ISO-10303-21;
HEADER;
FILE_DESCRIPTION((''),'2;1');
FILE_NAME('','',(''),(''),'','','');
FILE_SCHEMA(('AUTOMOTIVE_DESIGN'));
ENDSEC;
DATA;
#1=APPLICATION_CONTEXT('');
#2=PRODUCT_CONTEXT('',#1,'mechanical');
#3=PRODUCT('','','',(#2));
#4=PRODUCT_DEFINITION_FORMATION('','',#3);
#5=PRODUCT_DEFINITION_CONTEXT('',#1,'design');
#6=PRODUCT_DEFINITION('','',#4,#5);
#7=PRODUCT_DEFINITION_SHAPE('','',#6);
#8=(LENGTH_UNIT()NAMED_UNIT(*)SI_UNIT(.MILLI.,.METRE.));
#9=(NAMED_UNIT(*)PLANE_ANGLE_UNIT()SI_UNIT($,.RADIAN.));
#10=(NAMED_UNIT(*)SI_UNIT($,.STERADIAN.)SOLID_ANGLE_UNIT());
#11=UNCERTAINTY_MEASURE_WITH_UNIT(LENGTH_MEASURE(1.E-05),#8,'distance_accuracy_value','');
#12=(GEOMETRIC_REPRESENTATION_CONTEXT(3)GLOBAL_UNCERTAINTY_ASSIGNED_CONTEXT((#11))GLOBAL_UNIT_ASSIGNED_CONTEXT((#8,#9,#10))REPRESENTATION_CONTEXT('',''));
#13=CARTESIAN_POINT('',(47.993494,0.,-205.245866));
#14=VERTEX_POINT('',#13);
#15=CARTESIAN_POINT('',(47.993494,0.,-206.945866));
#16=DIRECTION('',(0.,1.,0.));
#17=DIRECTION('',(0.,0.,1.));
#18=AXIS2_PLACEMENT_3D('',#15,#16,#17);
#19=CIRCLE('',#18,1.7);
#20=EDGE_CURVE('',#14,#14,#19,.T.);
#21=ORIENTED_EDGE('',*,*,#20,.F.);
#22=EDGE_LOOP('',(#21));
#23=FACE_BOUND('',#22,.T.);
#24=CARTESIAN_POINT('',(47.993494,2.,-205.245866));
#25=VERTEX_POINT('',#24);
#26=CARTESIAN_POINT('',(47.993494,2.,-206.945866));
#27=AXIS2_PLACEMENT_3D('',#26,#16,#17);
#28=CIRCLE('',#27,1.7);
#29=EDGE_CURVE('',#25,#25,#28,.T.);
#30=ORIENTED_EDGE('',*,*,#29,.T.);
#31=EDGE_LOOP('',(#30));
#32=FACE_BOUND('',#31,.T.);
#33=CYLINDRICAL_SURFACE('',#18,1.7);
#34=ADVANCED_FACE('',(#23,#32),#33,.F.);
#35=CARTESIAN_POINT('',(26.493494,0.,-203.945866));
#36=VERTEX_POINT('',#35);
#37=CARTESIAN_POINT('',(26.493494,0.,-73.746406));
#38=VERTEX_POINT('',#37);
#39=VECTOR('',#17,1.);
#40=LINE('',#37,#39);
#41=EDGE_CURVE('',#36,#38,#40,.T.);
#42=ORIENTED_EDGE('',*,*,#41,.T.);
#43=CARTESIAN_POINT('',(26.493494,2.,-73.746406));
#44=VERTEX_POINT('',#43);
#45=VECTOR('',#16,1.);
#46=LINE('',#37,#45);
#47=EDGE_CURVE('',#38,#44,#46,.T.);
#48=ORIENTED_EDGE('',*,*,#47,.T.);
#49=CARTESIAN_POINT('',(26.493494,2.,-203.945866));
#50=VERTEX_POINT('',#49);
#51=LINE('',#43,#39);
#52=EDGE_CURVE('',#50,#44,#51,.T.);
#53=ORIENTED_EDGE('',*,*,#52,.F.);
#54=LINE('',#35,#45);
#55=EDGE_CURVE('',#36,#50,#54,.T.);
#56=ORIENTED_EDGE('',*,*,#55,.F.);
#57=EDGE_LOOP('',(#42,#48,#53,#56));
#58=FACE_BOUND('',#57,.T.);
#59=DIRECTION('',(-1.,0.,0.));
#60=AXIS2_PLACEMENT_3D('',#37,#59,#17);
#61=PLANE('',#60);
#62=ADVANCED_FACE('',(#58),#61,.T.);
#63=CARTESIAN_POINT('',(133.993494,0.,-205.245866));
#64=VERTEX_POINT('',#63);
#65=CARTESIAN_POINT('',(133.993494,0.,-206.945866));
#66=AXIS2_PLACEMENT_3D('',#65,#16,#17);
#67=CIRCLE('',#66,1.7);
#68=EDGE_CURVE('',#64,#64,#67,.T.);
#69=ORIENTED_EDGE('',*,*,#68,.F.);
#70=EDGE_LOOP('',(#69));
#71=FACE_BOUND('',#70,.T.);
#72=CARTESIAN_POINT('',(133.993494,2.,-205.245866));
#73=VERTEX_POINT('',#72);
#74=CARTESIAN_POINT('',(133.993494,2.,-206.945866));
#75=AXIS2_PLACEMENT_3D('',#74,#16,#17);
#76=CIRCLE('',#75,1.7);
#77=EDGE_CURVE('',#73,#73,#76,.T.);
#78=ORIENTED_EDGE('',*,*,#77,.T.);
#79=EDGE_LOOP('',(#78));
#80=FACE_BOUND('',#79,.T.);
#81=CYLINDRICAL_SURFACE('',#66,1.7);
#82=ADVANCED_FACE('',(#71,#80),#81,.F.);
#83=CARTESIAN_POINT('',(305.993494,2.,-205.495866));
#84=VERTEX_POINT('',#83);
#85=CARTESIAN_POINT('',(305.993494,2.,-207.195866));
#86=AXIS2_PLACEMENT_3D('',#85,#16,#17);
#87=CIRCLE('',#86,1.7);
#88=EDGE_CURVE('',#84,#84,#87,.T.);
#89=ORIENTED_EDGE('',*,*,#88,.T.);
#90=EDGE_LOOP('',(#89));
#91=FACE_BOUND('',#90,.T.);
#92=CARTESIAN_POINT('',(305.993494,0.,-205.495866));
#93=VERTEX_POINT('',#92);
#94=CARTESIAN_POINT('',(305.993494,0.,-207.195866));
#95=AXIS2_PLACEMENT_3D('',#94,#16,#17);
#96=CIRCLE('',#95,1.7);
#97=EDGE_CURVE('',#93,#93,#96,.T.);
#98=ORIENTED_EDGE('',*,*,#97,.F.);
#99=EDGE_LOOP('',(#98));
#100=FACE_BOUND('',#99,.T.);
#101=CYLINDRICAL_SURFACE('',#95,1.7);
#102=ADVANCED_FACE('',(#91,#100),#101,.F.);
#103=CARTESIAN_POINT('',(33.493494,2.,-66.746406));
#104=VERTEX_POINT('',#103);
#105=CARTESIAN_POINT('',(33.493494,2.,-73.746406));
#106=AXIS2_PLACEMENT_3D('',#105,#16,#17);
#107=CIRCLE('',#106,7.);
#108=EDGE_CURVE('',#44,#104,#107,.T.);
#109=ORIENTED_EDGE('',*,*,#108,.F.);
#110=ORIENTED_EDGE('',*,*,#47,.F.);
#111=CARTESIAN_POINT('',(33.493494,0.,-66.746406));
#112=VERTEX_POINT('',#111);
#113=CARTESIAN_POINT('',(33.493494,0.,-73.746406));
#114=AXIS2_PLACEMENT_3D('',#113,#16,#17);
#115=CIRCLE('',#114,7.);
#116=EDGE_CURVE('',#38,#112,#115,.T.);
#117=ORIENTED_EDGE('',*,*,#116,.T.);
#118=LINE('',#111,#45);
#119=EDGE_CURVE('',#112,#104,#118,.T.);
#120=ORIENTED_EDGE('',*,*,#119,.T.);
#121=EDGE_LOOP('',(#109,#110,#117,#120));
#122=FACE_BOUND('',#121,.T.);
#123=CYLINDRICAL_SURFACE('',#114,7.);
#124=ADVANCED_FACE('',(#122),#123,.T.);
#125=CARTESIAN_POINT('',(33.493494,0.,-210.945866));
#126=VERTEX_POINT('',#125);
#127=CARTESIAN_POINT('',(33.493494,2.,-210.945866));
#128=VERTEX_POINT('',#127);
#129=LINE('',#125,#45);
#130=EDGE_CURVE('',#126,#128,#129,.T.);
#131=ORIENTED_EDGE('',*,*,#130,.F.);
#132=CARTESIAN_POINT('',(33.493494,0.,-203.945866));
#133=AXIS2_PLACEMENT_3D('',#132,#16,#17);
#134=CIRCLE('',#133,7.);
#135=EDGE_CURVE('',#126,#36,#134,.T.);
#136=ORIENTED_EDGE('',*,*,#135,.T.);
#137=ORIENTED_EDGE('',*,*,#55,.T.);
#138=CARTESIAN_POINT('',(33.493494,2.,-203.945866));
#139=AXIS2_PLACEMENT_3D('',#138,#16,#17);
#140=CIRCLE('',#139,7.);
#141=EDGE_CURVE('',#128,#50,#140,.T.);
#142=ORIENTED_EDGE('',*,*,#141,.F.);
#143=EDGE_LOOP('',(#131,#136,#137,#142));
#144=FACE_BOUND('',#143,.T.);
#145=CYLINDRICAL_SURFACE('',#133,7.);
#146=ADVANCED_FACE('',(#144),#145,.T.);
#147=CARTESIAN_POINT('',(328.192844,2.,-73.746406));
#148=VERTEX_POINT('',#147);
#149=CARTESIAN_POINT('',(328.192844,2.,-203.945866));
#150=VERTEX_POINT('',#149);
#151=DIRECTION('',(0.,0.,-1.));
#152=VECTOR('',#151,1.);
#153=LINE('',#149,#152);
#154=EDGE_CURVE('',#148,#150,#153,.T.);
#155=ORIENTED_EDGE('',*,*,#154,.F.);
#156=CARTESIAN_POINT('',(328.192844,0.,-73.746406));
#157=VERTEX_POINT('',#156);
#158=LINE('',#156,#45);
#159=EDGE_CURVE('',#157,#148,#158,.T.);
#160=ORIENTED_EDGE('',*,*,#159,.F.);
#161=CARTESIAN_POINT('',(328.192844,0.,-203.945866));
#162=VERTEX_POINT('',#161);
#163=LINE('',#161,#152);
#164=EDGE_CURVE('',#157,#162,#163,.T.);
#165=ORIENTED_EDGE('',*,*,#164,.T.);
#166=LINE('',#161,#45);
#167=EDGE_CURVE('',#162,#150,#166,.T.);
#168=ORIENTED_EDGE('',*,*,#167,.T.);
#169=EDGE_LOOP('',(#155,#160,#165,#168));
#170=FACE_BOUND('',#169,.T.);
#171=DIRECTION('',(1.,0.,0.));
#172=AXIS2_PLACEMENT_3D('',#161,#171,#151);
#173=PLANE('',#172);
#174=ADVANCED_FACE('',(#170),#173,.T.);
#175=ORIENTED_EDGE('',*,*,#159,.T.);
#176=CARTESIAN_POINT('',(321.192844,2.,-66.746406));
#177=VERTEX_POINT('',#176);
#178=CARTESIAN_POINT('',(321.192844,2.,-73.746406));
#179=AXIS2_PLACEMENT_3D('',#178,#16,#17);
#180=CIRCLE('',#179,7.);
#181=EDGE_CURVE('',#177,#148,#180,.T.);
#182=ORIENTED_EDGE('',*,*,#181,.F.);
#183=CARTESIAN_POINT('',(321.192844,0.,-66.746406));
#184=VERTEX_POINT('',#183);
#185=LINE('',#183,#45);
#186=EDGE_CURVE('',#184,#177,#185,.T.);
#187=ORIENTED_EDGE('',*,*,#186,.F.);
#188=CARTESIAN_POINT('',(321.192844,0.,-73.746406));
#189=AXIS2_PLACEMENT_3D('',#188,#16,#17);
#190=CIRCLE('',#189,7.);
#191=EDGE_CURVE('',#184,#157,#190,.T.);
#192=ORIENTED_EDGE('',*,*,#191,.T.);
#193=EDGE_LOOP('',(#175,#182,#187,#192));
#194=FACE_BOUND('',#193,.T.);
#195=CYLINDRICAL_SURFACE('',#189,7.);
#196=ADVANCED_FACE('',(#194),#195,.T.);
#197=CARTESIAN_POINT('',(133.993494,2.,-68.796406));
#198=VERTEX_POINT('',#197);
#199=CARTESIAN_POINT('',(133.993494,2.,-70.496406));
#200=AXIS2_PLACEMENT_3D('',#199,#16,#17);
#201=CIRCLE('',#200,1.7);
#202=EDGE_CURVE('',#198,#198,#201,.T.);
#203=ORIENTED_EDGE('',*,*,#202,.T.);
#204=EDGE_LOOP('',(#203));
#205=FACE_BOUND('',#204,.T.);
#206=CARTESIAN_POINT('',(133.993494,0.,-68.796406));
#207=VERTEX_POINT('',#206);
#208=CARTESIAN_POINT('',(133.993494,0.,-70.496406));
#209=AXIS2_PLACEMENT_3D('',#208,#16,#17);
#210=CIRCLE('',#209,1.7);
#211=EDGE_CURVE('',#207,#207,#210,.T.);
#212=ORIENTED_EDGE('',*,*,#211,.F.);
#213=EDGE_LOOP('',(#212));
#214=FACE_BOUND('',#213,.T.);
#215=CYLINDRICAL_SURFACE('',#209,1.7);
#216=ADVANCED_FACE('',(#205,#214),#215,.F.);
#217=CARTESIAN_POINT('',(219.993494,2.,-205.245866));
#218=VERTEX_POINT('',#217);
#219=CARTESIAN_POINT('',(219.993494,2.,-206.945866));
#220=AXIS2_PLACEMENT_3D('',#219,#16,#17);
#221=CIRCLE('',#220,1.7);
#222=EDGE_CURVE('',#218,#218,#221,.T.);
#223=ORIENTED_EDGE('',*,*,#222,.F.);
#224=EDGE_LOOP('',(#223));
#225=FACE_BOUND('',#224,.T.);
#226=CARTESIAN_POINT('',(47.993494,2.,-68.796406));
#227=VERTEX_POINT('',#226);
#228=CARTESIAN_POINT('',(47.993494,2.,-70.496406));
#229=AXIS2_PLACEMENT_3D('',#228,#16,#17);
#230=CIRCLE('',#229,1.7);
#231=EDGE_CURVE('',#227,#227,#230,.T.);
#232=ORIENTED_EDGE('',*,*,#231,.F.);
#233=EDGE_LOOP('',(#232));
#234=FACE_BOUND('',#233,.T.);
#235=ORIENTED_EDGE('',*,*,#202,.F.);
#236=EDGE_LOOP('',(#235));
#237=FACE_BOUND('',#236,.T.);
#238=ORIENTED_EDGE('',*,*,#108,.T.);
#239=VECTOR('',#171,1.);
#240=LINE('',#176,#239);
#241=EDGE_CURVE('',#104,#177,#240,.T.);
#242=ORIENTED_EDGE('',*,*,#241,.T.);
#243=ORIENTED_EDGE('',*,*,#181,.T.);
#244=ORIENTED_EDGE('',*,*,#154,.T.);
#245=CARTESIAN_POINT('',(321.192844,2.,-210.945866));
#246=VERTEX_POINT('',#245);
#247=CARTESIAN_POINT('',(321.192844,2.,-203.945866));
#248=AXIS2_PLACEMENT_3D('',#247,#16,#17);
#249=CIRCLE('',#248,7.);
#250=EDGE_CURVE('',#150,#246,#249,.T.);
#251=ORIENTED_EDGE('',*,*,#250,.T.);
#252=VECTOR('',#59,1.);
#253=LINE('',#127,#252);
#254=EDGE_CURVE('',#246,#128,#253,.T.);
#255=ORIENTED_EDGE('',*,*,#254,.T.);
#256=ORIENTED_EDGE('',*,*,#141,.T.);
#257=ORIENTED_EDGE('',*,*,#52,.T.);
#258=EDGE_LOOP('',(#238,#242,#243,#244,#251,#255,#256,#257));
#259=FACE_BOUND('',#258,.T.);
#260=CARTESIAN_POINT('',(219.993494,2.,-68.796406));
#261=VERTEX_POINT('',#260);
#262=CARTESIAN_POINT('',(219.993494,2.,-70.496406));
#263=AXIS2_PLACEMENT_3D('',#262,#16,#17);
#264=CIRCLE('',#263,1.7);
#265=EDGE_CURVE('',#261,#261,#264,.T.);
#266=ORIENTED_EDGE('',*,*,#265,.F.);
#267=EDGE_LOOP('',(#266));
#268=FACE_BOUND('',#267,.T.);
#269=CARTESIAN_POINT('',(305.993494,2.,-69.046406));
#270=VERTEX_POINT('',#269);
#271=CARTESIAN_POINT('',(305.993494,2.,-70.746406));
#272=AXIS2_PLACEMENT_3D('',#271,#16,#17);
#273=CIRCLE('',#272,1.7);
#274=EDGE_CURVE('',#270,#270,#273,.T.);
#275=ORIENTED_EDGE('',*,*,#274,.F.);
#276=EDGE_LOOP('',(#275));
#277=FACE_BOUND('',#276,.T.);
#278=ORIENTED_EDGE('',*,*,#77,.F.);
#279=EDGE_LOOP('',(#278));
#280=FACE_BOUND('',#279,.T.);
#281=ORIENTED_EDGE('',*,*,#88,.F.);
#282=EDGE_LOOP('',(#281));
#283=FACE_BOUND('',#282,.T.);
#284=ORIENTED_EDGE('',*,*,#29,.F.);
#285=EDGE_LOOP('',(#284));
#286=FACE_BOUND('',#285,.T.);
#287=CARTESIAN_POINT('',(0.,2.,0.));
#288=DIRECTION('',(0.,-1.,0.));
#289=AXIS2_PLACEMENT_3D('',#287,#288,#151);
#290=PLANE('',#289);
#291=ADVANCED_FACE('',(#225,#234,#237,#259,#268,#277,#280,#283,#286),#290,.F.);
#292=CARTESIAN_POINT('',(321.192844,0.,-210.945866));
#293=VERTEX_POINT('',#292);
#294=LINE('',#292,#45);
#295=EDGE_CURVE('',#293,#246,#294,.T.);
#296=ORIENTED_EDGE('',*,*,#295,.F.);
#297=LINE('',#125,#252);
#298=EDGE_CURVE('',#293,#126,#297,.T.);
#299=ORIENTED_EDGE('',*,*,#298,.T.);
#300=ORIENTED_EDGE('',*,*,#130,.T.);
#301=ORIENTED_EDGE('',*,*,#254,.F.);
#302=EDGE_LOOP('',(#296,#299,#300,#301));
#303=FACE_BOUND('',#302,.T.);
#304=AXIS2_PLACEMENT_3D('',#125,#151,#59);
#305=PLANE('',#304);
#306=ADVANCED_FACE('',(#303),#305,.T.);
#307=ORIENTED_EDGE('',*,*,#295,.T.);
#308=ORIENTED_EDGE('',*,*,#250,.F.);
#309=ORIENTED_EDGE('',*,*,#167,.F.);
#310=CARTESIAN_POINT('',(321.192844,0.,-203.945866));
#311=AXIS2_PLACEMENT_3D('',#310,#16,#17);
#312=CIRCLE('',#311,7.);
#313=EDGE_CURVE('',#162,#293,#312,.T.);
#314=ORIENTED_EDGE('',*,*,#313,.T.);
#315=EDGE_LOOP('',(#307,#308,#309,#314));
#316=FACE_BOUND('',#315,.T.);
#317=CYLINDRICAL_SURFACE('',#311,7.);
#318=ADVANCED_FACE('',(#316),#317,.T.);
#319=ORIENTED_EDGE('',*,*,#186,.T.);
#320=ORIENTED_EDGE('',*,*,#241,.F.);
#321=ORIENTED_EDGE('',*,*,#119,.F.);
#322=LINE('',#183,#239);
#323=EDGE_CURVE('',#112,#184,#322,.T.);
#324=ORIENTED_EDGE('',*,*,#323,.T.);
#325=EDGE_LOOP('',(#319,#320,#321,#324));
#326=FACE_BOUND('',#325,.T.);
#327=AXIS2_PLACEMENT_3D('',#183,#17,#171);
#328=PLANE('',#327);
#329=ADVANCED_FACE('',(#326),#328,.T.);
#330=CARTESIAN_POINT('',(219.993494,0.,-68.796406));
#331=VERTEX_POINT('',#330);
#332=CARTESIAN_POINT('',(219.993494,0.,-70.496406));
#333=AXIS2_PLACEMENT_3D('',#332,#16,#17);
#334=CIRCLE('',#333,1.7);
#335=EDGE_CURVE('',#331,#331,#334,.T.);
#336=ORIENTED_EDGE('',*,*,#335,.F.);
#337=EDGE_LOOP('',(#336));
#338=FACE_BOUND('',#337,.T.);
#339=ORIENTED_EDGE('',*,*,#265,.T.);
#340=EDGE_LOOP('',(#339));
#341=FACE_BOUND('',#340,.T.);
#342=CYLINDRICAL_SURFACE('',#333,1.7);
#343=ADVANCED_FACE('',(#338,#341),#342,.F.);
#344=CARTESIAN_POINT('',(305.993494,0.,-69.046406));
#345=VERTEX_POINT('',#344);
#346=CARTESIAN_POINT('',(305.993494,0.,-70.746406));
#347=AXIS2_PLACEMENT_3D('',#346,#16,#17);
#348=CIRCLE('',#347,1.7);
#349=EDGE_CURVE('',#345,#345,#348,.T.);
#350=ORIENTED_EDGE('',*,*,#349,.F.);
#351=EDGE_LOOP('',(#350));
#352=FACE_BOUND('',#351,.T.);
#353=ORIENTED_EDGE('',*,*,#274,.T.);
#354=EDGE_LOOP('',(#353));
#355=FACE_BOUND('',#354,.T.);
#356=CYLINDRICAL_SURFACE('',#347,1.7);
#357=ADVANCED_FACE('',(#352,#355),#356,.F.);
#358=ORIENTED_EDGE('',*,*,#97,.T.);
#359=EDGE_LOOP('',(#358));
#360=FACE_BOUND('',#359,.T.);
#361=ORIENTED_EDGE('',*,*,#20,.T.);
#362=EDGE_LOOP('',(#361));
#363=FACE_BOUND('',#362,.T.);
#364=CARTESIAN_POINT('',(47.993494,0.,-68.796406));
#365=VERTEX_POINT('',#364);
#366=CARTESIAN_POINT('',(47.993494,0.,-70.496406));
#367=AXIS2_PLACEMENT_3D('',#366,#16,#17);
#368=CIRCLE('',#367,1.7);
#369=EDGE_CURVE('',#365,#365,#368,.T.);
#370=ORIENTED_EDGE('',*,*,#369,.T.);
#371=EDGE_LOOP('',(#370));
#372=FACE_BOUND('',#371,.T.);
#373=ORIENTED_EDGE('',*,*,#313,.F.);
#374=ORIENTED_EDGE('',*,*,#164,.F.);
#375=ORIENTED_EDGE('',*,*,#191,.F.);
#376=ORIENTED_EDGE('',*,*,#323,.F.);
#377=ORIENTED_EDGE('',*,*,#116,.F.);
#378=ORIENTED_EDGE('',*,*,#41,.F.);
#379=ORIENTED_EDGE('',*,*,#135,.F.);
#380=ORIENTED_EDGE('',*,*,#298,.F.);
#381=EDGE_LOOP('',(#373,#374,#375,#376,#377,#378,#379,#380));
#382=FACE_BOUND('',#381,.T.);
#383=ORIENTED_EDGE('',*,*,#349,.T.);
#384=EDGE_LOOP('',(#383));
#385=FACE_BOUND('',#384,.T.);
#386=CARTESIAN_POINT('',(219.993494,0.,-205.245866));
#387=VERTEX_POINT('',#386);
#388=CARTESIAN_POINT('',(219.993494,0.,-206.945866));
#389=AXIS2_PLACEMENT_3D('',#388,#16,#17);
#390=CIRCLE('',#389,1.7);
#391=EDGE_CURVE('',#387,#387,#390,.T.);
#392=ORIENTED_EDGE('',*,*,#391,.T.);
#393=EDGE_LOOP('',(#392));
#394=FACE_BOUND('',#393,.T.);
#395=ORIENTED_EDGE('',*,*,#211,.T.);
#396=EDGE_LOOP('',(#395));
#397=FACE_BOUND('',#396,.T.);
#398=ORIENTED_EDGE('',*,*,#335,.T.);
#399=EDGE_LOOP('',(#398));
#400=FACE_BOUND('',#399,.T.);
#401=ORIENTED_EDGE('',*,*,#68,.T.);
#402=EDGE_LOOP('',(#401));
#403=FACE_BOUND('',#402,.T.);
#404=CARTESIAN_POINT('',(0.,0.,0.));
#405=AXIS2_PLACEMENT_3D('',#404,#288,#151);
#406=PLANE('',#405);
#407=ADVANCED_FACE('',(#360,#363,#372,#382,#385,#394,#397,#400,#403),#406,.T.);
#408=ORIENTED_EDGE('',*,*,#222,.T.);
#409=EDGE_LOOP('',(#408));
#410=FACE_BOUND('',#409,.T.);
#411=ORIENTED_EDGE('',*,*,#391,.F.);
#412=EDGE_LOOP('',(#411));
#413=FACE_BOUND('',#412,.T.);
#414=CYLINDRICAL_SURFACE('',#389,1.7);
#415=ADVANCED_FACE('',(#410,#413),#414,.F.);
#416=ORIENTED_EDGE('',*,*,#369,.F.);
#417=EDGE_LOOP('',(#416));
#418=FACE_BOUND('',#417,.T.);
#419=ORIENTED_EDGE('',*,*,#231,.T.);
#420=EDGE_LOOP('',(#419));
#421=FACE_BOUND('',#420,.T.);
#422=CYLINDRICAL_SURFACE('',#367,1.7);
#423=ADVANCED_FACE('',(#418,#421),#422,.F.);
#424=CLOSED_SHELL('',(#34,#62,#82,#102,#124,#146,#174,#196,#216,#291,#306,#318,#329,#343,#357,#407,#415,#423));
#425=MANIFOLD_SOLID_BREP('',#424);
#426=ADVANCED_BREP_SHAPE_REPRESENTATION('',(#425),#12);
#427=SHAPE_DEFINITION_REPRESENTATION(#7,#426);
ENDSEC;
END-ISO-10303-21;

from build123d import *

# Parameters (mm, degrees)
SKETCH1_W           = 350
SKETCH1_H           = 250
BOSS_EXTRUDE1_DEPTH = 2
SKETCH4_OUTSIDE_W   = 438.024
SKETCH4_OUTSIDE_H   = 338.024
SKETCH4_OUTSIDE_R   = 1.7
CUT_EXTRUDE1_DEPTH  = 2


with BuildPart() as part:
    # Sketch1 → Boss-Extrude1 (new body)
    with BuildSketch(Plane(origin=(0, 0, 0), x_dir=(1, 0, 0), z_dir=(0, 1, 0))):
        with Locations((175, 125)):
            Rectangle(SKETCH1_W, SKETCH1_H)
    extrude(amount=BOSS_EXTRUDE1_DEPTH)

    # Sketch4 outside → Cut-Extrude1 (cut)
    with BuildSketch(Plane(origin=(0, 2, 0), x_dir=(1, 0, 0), z_dir=(0, 1, 0))):
        with Locations((175, 125)):
            Rectangle(SKETCH4_OUTSIDE_W, SKETCH4_OUTSIDE_H)
        with BuildLine():
            Line((26.493493562, 73.746405702), (26.493493562, 203.945865702))
            ThreePointArc((26.493493562, 203.945865702), (28.543746093, 208.895613171), (33.493493562, 210.945865702))
            Line((33.493493562, 210.945865702), (321.192843562, 210.945865702))
            ThreePointArc((321.192843562, 210.945865702), (326.14259103, 208.895613171), (328.192843562, 203.945865702))
            Line((328.192843562, 203.945865702), (328.192843562, 73.746405702))
            ThreePointArc((328.192843562, 73.746405702), (326.14259103, 68.796658234), (321.192843562, 66.746405702))
            Line((321.192843562, 66.746405702), (33.493493562, 66.746405702))
            ThreePointArc((33.493493562, 66.746405702), (28.543746093, 68.796658234), (26.493493562, 73.746405702))
        make_face(mode=Mode.SUBTRACT)
        with Locations((305.993493562, 70.746405702)):
            Circle(SKETCH4_OUTSIDE_R)
        with Locations((219.993493562, 70.496405702)):
            Circle(SKETCH4_OUTSIDE_R)
        with Locations((47.993493562, 70.496405702)):
            Circle(SKETCH4_OUTSIDE_R)
        with Locations((133.993493562, 70.496405702)):
            Circle(SKETCH4_OUTSIDE_R)
        with Locations((305.993493562, 207.195865702)):
            Circle(SKETCH4_OUTSIDE_R)
        with Locations((219.993493562, 206.945865702)):
            Circle(SKETCH4_OUTSIDE_R)
        with Locations((47.993493562, 206.945865702)):
            Circle(SKETCH4_OUTSIDE_R)
        with Locations((133.993493562, 206.945865702)):
            Circle(SKETCH4_OUTSIDE_R)
    extrude(amount=-CUT_EXTRUDE1_DEPTH, mode=Mode.SUBTRACT)


solid = part.part
